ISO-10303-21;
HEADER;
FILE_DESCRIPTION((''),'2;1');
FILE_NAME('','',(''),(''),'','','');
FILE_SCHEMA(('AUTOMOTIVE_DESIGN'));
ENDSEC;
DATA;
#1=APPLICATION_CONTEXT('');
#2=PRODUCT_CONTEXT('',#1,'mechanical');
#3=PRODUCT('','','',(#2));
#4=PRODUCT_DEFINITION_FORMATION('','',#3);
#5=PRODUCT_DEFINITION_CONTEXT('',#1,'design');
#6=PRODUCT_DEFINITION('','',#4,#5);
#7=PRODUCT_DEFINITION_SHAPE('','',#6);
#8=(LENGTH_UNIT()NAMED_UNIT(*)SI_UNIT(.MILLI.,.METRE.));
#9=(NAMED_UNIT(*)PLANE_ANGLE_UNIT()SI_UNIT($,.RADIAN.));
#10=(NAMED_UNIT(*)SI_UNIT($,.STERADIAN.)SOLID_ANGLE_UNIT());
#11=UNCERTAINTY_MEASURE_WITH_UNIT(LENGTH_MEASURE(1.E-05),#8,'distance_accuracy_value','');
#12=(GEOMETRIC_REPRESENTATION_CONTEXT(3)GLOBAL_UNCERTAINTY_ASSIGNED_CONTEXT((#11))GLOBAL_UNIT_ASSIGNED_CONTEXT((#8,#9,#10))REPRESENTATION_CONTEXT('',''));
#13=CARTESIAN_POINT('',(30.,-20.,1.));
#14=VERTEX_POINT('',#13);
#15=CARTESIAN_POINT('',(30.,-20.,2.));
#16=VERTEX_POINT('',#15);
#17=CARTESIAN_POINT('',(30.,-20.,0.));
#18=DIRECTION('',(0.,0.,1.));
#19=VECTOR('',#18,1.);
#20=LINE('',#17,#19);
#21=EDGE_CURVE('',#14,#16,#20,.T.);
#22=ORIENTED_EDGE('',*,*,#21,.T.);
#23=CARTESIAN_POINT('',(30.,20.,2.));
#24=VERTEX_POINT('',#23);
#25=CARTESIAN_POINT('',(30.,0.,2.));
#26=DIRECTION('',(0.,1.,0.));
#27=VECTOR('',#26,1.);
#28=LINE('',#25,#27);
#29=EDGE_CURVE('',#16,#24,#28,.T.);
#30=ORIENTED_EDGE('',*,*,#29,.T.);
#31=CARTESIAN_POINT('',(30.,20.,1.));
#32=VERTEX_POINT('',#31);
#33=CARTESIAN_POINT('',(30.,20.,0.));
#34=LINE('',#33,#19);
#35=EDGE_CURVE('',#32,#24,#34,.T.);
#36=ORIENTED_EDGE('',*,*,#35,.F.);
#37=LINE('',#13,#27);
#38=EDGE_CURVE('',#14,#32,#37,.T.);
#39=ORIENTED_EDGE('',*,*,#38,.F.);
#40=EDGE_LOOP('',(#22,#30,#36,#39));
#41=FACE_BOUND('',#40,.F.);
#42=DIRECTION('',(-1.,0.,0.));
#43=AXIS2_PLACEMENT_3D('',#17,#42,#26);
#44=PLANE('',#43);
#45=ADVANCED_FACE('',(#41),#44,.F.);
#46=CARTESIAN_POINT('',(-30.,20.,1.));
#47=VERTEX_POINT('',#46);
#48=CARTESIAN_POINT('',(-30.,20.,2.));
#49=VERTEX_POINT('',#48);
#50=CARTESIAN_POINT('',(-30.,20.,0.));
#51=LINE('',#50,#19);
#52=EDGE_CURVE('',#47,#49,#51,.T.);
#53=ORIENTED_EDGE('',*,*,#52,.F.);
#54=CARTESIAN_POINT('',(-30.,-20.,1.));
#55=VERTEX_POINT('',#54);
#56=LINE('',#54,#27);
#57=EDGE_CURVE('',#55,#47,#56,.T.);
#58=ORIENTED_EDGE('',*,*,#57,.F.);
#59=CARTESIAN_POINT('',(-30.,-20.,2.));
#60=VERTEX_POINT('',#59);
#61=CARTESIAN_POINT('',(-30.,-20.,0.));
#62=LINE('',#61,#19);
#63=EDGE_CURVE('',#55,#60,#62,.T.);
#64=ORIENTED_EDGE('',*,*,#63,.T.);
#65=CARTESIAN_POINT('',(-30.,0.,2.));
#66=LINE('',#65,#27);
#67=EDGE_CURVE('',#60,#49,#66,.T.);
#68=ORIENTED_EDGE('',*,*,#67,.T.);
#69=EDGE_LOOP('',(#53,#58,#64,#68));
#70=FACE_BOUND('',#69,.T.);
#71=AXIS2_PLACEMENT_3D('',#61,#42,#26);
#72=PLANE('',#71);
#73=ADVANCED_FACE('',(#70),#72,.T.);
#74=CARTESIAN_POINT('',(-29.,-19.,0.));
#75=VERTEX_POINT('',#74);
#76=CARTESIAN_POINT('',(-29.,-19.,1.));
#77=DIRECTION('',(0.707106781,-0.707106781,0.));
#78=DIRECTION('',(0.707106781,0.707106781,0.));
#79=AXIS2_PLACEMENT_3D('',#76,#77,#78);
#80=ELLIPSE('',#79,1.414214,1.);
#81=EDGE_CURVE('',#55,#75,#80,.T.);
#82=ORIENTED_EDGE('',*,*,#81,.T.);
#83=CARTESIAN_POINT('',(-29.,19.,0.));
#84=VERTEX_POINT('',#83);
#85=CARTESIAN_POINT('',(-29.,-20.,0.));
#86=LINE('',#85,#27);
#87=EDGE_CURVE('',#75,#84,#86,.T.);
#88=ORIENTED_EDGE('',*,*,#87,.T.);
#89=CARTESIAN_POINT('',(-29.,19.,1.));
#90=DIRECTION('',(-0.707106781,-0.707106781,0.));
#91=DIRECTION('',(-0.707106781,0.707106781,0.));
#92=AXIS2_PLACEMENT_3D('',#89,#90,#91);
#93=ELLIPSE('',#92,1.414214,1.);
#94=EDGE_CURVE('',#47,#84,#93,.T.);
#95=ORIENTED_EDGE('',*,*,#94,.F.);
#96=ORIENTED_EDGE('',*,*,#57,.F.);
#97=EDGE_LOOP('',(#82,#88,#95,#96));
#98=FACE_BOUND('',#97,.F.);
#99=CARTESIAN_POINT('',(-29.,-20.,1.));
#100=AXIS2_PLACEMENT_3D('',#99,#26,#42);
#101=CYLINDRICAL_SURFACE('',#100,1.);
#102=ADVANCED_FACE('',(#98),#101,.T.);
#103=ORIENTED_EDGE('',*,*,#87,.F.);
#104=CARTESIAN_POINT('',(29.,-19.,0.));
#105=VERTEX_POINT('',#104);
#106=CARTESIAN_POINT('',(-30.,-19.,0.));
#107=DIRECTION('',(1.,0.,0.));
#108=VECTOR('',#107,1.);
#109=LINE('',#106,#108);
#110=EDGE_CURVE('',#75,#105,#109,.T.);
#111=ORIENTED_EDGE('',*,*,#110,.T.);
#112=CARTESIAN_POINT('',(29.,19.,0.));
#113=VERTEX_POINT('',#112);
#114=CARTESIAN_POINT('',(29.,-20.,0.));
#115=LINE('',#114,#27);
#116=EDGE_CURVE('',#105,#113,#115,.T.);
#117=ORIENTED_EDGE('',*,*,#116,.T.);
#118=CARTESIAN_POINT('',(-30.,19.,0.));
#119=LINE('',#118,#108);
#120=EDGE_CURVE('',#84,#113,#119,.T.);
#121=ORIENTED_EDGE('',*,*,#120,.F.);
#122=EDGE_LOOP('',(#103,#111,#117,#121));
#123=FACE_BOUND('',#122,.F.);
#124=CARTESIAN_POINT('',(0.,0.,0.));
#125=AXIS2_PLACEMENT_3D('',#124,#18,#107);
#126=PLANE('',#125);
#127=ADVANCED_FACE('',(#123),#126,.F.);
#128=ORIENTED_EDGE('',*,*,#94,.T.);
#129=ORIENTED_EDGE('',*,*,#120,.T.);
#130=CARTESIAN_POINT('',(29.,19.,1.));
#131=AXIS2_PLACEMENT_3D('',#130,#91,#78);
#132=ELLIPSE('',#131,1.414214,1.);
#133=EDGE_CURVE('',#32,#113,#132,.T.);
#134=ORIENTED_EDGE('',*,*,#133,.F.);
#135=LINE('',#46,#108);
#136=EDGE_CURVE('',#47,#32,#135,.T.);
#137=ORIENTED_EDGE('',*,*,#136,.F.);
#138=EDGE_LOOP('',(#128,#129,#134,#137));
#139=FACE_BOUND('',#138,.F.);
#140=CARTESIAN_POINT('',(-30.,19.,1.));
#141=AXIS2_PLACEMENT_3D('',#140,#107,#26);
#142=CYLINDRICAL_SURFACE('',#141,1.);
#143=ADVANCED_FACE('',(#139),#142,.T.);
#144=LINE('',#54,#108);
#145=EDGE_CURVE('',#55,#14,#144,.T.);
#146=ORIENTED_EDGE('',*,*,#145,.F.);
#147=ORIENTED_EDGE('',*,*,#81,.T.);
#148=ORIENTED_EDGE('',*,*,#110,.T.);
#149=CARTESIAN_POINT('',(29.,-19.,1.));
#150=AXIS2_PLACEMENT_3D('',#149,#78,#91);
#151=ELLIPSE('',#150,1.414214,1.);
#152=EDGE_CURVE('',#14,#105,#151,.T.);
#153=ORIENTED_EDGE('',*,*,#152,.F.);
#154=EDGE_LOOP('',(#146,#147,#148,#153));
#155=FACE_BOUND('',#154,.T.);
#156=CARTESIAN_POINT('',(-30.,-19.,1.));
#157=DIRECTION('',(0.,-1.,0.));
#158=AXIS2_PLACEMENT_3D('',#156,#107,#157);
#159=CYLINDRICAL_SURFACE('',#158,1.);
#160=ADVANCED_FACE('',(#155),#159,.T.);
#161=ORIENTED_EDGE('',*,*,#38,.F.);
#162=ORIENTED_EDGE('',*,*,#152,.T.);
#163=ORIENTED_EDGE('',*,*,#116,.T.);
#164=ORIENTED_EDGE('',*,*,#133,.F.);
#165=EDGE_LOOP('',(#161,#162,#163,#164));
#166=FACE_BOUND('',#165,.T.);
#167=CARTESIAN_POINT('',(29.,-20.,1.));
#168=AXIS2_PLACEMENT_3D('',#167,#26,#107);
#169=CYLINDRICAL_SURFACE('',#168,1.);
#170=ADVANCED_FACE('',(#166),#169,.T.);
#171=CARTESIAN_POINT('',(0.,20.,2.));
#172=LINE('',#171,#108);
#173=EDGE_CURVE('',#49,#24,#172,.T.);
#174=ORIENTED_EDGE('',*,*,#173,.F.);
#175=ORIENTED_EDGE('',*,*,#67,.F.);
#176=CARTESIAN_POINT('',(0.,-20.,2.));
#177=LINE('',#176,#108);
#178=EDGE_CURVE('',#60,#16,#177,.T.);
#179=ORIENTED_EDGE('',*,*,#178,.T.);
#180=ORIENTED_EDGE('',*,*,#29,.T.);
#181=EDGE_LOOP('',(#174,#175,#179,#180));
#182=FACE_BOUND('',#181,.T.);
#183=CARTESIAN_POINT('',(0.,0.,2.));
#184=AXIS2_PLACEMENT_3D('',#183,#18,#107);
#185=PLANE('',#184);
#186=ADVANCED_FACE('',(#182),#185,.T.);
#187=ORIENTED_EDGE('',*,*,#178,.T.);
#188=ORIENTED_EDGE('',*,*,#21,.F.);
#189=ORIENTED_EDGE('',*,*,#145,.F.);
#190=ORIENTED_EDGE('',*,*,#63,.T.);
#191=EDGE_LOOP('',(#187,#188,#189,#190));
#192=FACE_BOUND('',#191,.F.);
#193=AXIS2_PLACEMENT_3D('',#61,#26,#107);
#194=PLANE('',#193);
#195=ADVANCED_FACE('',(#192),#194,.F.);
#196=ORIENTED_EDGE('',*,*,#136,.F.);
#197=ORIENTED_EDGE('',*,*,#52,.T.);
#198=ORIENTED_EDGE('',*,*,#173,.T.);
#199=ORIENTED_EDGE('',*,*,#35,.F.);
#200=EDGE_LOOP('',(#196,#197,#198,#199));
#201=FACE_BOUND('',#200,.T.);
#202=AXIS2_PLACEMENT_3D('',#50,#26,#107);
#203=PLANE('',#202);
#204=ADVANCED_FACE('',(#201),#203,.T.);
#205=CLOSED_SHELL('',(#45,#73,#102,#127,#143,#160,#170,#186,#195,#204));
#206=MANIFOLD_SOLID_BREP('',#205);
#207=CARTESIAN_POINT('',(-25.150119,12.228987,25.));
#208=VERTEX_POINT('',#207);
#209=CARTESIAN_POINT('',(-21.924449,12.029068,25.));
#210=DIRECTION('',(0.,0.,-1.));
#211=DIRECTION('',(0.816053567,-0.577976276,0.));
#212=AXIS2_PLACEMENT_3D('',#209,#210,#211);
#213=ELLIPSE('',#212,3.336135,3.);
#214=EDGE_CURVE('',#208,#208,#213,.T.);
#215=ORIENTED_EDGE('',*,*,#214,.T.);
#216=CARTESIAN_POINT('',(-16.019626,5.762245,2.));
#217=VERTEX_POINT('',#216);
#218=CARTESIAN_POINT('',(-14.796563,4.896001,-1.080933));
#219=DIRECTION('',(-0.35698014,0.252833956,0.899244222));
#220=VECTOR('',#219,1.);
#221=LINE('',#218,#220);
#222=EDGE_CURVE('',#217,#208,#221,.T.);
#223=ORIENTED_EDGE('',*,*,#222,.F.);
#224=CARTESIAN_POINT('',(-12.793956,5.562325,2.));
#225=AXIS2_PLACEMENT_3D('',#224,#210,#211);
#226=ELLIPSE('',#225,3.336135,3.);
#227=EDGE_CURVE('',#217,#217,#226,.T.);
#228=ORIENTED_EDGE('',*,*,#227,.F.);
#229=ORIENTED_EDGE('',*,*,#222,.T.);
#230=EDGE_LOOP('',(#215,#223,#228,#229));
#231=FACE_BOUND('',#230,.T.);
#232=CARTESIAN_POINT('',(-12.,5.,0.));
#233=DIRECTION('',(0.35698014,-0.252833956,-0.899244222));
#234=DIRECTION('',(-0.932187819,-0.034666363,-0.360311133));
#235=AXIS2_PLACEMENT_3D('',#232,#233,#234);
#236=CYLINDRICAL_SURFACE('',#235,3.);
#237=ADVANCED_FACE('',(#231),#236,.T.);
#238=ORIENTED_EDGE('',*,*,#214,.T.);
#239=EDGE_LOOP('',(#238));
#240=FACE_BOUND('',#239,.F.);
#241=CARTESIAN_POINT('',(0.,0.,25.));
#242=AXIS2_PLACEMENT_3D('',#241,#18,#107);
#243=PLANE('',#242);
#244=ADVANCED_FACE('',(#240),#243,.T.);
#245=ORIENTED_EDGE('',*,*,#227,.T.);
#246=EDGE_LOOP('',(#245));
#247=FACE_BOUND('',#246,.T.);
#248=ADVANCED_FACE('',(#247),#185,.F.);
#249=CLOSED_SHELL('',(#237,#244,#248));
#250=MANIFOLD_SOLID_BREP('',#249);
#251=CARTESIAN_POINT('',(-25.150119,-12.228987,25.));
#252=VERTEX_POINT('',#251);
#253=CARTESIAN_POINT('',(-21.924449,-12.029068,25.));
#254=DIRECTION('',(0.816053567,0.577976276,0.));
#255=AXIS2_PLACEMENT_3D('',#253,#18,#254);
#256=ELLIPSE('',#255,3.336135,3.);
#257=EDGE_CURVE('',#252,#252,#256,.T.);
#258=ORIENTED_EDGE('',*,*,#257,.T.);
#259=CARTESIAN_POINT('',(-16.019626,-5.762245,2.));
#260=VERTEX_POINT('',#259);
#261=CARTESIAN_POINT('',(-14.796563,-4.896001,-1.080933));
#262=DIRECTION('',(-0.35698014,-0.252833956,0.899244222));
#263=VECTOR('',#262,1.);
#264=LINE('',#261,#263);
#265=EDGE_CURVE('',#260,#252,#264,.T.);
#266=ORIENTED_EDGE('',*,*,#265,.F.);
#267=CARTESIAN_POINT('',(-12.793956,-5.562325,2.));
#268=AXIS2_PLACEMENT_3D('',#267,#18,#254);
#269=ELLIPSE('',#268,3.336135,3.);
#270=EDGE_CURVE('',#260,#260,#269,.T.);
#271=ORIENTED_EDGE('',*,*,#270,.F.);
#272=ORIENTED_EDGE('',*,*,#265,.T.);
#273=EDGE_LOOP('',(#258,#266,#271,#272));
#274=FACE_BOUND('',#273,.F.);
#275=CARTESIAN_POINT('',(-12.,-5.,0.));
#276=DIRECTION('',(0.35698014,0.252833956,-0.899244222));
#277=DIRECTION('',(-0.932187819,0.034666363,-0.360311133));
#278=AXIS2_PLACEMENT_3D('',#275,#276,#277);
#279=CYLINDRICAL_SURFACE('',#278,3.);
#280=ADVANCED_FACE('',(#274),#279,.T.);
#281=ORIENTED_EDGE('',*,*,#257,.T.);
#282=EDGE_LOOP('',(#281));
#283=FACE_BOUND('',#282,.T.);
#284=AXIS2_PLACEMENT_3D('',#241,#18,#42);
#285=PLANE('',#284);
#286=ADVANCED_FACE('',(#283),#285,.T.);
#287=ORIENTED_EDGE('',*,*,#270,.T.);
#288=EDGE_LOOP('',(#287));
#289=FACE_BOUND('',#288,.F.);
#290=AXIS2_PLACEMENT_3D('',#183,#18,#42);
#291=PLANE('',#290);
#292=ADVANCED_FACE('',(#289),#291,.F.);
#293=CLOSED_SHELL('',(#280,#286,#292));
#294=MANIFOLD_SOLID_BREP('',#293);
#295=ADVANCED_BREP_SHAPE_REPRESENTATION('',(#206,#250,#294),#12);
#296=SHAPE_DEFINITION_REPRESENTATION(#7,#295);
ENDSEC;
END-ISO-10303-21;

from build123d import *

# Parameters (mm, degrees)
BOX002_W                 = 60
BOX002_H                 = 40
BOX002_DEPTH             = 6
BOX001_W                 = 60
BOX001_H                 = 40
BOX001_DEPTH             = 4
CYLINDER_R               = 3
CYLINDER_DEPTH           = 30
CYLINDER_ROLL_ANGLE      = -15.421958
CYLINDER_PITCH_ANGLE     = 21.119305
CYLINDER_PLACEMENT_ANGLE = -2.129744
BOX_W                    = 60
BOX_H                    = 40
BOX_DEPTH                = 2
FILLET_R                 = 1


with BuildPart() as bordplade_cutter:
    # Box002 → Box002 (new body)
    with BuildSketch(Plane(origin=(-30, -20, -4), x_dir=(1, 0, 0), z_dir=(0, 0, 1))):
        with Locations((30, 20)):
            Rectangle(BOX002_W, BOX002_H)
    extrude(amount=BOX002_DEPTH)


with BuildPart() as gulc_cutter:
    # Box001 → Box001 (new body)
    with BuildSketch(Plane(origin=(-30, -20, 25), x_dir=(1, 0, 0), z_dir=(0, 0, 1))):
        with Locations((30, 20)):
            Rectangle(BOX001_W, BOX001_H)
    extrude(amount=BOX001_DEPTH)


with BuildPart() as ben1_cuttet_final:
    # Cylinder → Cylinder (new body)
    with BuildSketch(Plane.XY):
        Circle(CYLINDER_R)
    extrude(amount=CYLINDER_DEPTH)


with BuildPart() as ben1_cuttet_final_1:
    # Cylinder roll: moved
    add(ben1_cuttet_final.part.rotate(Axis((0, 0, 0), (1, 0, 0)), CYLINDER_ROLL_ANGLE))


with BuildPart() as ben1_cuttet_final_2:
    # Cylinder pitch: moved
    add(ben1_cuttet_final_1.part.rotate(Axis((0, 0, 0), (0, 1, 0)), CYLINDER_PITCH_ANGLE))


with BuildPart() as ben1_cuttet_final_3:
    # Cylinder placement: moved
    add(ben1_cuttet_final_2.part.moved(Location((12, 5, 0))).rotate(Axis((12, 5, 0), (0, 0, 1)), CYLINDER_PLACEMENT_ANGLE))

    # Cut: cut Gulc-cutter
    add(gulc_cutter.part, mode=Mode.SUBTRACT)

    # Cut001: cut Bordplade-cutter
    add(bordplade_cutter.part, mode=Mode.SUBTRACT)


with BuildPart() as part_mirroring001:
    # Part__Mirroring001: instance of ben1-cuttet-final
    add(ben1_cuttet_final_3.part.mirror(Plane(origin=(0, 0, 0), x_dir=(0, -1, 0), z_dir=(1, 0, 0))))


with BuildPart() as part_mirroring:
    # Part__Mirroring: instance of ben1-cuttet-final
    add(ben1_cuttet_final_3.part.mirror(Plane(origin=(0, 0, 0), x_dir=(1, 0, 0), z_dir=(0, 1, 0))))


with BuildPart() as part_mirroring002:
    # Part__Mirroring002: instance of Part__Mirroring
    add(part_mirroring.part.mirror(Plane(origin=(0, 0, 0), x_dir=(0, -1, 0), z_dir=(1, 0, 0))))


with BuildPart() as fillet_body:
    # Box → Box (new body)
    with BuildSketch(Plane(origin=(-30, -20, 0), x_dir=(1, 0, 0), z_dir=(0, 0, 1))):
        with Locations((30, 20)):
            Rectangle(BOX_W, BOX_H)
    extrude(amount=BOX_DEPTH)

    # Fillet
    fillet_edges = [fillet_body.edges().sort_by_distance(p)[0] for p in [
        (-30, 0, 0),
        (30, 0, 0),
        (0, -20, 0),
        (0, 20, 0),
    ]]
    fillet(fillet_edges, radius=FILLET_R)


solid = Compound([part_mirroring001.part, part_mirroring002.part, fillet_body.part])
